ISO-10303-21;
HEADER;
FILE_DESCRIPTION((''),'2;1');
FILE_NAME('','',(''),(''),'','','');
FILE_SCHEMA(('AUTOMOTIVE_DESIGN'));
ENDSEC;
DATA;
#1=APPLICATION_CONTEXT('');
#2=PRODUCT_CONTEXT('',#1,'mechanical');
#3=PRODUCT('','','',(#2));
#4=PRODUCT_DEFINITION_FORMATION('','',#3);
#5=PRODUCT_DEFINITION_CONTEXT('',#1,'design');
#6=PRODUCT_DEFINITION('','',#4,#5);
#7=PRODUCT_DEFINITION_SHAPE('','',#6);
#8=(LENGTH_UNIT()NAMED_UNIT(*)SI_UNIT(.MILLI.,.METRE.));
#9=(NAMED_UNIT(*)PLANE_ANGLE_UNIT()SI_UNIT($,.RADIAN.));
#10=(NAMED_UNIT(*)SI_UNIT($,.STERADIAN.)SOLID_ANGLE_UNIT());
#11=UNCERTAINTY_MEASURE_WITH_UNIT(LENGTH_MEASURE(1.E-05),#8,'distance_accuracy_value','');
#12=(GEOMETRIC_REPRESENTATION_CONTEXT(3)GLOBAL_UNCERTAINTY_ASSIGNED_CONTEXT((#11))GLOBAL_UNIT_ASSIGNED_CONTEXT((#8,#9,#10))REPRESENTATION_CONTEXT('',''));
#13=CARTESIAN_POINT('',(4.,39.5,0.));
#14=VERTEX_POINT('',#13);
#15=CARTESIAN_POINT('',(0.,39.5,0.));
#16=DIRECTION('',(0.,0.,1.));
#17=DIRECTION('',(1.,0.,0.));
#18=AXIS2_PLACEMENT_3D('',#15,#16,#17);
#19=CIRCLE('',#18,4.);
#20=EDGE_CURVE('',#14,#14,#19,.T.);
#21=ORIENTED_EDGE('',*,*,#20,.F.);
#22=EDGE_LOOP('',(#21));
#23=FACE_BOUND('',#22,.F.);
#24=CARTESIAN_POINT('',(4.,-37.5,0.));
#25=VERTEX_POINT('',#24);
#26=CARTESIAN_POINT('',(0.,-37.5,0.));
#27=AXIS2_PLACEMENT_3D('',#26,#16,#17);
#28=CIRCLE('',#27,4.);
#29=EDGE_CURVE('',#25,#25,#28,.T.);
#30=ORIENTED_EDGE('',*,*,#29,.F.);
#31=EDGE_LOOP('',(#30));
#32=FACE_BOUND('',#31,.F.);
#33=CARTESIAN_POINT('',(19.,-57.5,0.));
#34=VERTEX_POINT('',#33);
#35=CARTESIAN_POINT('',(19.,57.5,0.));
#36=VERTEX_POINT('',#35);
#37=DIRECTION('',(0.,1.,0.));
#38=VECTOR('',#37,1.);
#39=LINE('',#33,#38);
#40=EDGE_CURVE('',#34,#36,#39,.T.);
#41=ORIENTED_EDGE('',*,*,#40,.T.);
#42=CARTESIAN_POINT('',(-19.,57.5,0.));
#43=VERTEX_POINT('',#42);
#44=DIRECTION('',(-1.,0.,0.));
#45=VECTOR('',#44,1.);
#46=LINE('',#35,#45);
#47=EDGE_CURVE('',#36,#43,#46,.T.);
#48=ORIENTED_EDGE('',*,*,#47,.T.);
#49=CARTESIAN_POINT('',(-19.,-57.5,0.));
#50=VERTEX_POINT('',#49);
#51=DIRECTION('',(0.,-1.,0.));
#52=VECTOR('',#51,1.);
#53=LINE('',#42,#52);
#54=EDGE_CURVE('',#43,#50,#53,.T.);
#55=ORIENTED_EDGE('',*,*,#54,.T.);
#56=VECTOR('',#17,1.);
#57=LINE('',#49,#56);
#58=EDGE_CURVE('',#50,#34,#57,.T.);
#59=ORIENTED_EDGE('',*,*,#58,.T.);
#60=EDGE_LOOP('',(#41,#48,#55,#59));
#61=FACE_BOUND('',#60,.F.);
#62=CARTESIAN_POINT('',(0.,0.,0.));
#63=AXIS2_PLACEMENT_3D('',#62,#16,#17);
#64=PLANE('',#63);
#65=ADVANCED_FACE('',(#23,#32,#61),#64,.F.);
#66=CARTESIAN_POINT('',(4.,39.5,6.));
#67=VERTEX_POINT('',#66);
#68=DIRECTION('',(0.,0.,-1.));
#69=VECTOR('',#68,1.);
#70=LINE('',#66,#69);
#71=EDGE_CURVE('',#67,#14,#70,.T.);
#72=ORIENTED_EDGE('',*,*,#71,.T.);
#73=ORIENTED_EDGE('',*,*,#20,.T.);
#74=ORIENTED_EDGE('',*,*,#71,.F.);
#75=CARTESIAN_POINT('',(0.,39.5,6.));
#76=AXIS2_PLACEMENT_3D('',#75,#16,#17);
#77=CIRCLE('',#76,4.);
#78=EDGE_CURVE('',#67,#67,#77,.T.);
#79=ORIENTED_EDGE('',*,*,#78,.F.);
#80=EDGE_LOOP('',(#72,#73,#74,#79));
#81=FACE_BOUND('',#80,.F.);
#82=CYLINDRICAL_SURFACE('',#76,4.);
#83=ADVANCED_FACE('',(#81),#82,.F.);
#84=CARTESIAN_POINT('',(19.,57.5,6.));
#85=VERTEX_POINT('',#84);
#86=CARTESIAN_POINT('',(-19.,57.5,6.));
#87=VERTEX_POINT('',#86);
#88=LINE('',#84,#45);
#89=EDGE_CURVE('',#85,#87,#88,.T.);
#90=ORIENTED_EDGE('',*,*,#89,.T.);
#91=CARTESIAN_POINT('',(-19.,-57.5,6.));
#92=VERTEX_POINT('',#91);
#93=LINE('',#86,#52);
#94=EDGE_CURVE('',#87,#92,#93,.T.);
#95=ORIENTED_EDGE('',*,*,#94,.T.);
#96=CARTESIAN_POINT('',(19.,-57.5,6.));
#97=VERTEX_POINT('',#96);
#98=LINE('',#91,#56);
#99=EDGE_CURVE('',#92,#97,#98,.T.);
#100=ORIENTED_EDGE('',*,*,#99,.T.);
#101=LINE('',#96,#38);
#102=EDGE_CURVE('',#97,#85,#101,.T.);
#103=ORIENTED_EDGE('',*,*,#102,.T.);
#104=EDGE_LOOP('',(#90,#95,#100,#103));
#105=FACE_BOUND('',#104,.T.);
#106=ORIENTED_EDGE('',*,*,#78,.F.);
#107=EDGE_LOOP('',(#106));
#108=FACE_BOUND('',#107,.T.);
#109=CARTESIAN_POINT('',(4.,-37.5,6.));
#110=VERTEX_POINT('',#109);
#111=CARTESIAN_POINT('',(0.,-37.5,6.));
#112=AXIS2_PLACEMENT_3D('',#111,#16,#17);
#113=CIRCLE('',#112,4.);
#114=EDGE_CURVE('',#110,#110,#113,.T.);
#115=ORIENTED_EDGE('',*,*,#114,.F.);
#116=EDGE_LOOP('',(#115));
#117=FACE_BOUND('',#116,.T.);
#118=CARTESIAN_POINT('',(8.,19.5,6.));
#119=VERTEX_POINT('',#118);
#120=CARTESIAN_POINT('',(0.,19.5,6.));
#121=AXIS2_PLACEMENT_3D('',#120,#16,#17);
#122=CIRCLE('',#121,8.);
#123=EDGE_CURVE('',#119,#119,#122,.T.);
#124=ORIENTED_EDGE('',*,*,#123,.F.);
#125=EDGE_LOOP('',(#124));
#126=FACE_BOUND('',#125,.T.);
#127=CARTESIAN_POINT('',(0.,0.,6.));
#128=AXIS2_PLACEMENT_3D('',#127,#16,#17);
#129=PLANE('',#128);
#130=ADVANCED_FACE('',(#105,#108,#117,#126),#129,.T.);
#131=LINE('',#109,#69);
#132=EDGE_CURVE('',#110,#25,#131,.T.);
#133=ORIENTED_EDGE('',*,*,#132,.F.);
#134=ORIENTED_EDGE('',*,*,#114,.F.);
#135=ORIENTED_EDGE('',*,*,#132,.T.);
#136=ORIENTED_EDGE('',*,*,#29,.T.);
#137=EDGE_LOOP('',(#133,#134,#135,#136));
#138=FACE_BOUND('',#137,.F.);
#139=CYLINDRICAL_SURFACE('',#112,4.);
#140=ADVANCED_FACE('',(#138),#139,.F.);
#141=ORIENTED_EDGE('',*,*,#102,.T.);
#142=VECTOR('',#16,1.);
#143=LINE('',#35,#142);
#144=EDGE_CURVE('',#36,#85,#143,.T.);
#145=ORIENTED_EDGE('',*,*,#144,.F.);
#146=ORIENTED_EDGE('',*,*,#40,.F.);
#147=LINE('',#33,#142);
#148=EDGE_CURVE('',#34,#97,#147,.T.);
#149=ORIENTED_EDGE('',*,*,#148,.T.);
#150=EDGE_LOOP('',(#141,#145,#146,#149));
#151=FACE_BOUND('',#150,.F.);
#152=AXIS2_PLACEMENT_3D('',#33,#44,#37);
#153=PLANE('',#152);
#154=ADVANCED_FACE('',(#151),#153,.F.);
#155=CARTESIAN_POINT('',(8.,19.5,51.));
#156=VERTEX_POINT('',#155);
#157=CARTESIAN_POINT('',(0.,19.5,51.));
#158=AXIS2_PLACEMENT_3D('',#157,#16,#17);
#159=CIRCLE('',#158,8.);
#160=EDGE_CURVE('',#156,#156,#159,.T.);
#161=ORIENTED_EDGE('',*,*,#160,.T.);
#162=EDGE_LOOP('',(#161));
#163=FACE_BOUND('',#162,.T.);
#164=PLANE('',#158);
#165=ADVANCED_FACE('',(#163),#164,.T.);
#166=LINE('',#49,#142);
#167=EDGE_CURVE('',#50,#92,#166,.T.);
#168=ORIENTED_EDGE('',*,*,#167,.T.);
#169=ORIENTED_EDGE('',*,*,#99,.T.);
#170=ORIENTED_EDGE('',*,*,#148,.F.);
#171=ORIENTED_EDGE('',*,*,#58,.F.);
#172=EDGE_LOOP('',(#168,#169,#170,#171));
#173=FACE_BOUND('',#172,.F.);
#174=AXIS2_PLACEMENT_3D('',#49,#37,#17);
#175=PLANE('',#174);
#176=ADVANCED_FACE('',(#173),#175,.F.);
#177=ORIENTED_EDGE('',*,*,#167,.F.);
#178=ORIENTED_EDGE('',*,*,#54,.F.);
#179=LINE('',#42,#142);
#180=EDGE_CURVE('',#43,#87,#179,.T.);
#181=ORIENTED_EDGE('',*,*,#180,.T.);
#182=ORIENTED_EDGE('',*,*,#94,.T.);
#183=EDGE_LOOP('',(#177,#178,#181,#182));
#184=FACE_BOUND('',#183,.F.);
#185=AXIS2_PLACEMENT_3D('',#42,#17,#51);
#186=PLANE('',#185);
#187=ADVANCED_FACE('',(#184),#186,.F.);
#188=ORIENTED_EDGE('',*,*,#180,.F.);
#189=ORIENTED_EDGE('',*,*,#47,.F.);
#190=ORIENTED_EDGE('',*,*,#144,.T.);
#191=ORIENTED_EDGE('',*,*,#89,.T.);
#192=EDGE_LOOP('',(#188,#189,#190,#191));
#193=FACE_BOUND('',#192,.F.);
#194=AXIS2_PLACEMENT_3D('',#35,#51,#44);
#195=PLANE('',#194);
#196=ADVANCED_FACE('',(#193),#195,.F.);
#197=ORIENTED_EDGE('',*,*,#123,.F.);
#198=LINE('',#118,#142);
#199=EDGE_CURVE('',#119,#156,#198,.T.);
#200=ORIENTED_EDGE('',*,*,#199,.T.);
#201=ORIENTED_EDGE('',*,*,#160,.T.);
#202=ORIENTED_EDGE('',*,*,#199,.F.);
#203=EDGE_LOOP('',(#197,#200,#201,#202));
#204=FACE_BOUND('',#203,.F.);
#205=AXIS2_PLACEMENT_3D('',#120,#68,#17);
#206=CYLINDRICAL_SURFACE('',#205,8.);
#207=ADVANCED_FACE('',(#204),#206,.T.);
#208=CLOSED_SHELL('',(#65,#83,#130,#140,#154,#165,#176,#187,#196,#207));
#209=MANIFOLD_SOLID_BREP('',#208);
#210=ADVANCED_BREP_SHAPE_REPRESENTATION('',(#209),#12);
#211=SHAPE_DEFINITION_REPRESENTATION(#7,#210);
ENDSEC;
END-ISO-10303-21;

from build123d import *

# Parameters (mm, degrees)
F1_DEPTH = 6
F2_R     = 8
F5_DEPTH = 45
F3_R     = 4
F6_DEPTH = 6.001
F4_R     = 4
F7_DEPTH = 6.001


with BuildPart() as f1:
    # F0 (on Top) → F1 (new body)
    with BuildSketch(Plane.XY):
        Polygon((19, 57.5), (0, 57.5), (-19, 57.5), (-19, 0), (-19, -57.5), (0, -57.5), (19, -57.5), (19, 0), align=None)
    extrude(amount=F1_DEPTH)

    # F2 (on face) → F5 (join)
    with BuildSketch(Plane.XY.offset(6)):
        with Locations((0, 19.5)):
            Circle(F2_R)
    extrude(amount=F5_DEPTH)

    # F3 (on face) → F6 (cut, through all)
    with BuildSketch(Plane.XY.offset(6)):
        with Locations((0, 39.5)):
            Circle(F3_R)
    extrude(amount=-F6_DEPTH, mode=Mode.SUBTRACT)

    # F4 (on face) → F7 (cut, through all)
    with BuildSketch(Plane.XY.offset(6)):
        with Locations((0, -37.5)):
            Circle(F4_R)
    extrude(amount=-F7_DEPTH, mode=Mode.SUBTRACT)


solid = f1.part
